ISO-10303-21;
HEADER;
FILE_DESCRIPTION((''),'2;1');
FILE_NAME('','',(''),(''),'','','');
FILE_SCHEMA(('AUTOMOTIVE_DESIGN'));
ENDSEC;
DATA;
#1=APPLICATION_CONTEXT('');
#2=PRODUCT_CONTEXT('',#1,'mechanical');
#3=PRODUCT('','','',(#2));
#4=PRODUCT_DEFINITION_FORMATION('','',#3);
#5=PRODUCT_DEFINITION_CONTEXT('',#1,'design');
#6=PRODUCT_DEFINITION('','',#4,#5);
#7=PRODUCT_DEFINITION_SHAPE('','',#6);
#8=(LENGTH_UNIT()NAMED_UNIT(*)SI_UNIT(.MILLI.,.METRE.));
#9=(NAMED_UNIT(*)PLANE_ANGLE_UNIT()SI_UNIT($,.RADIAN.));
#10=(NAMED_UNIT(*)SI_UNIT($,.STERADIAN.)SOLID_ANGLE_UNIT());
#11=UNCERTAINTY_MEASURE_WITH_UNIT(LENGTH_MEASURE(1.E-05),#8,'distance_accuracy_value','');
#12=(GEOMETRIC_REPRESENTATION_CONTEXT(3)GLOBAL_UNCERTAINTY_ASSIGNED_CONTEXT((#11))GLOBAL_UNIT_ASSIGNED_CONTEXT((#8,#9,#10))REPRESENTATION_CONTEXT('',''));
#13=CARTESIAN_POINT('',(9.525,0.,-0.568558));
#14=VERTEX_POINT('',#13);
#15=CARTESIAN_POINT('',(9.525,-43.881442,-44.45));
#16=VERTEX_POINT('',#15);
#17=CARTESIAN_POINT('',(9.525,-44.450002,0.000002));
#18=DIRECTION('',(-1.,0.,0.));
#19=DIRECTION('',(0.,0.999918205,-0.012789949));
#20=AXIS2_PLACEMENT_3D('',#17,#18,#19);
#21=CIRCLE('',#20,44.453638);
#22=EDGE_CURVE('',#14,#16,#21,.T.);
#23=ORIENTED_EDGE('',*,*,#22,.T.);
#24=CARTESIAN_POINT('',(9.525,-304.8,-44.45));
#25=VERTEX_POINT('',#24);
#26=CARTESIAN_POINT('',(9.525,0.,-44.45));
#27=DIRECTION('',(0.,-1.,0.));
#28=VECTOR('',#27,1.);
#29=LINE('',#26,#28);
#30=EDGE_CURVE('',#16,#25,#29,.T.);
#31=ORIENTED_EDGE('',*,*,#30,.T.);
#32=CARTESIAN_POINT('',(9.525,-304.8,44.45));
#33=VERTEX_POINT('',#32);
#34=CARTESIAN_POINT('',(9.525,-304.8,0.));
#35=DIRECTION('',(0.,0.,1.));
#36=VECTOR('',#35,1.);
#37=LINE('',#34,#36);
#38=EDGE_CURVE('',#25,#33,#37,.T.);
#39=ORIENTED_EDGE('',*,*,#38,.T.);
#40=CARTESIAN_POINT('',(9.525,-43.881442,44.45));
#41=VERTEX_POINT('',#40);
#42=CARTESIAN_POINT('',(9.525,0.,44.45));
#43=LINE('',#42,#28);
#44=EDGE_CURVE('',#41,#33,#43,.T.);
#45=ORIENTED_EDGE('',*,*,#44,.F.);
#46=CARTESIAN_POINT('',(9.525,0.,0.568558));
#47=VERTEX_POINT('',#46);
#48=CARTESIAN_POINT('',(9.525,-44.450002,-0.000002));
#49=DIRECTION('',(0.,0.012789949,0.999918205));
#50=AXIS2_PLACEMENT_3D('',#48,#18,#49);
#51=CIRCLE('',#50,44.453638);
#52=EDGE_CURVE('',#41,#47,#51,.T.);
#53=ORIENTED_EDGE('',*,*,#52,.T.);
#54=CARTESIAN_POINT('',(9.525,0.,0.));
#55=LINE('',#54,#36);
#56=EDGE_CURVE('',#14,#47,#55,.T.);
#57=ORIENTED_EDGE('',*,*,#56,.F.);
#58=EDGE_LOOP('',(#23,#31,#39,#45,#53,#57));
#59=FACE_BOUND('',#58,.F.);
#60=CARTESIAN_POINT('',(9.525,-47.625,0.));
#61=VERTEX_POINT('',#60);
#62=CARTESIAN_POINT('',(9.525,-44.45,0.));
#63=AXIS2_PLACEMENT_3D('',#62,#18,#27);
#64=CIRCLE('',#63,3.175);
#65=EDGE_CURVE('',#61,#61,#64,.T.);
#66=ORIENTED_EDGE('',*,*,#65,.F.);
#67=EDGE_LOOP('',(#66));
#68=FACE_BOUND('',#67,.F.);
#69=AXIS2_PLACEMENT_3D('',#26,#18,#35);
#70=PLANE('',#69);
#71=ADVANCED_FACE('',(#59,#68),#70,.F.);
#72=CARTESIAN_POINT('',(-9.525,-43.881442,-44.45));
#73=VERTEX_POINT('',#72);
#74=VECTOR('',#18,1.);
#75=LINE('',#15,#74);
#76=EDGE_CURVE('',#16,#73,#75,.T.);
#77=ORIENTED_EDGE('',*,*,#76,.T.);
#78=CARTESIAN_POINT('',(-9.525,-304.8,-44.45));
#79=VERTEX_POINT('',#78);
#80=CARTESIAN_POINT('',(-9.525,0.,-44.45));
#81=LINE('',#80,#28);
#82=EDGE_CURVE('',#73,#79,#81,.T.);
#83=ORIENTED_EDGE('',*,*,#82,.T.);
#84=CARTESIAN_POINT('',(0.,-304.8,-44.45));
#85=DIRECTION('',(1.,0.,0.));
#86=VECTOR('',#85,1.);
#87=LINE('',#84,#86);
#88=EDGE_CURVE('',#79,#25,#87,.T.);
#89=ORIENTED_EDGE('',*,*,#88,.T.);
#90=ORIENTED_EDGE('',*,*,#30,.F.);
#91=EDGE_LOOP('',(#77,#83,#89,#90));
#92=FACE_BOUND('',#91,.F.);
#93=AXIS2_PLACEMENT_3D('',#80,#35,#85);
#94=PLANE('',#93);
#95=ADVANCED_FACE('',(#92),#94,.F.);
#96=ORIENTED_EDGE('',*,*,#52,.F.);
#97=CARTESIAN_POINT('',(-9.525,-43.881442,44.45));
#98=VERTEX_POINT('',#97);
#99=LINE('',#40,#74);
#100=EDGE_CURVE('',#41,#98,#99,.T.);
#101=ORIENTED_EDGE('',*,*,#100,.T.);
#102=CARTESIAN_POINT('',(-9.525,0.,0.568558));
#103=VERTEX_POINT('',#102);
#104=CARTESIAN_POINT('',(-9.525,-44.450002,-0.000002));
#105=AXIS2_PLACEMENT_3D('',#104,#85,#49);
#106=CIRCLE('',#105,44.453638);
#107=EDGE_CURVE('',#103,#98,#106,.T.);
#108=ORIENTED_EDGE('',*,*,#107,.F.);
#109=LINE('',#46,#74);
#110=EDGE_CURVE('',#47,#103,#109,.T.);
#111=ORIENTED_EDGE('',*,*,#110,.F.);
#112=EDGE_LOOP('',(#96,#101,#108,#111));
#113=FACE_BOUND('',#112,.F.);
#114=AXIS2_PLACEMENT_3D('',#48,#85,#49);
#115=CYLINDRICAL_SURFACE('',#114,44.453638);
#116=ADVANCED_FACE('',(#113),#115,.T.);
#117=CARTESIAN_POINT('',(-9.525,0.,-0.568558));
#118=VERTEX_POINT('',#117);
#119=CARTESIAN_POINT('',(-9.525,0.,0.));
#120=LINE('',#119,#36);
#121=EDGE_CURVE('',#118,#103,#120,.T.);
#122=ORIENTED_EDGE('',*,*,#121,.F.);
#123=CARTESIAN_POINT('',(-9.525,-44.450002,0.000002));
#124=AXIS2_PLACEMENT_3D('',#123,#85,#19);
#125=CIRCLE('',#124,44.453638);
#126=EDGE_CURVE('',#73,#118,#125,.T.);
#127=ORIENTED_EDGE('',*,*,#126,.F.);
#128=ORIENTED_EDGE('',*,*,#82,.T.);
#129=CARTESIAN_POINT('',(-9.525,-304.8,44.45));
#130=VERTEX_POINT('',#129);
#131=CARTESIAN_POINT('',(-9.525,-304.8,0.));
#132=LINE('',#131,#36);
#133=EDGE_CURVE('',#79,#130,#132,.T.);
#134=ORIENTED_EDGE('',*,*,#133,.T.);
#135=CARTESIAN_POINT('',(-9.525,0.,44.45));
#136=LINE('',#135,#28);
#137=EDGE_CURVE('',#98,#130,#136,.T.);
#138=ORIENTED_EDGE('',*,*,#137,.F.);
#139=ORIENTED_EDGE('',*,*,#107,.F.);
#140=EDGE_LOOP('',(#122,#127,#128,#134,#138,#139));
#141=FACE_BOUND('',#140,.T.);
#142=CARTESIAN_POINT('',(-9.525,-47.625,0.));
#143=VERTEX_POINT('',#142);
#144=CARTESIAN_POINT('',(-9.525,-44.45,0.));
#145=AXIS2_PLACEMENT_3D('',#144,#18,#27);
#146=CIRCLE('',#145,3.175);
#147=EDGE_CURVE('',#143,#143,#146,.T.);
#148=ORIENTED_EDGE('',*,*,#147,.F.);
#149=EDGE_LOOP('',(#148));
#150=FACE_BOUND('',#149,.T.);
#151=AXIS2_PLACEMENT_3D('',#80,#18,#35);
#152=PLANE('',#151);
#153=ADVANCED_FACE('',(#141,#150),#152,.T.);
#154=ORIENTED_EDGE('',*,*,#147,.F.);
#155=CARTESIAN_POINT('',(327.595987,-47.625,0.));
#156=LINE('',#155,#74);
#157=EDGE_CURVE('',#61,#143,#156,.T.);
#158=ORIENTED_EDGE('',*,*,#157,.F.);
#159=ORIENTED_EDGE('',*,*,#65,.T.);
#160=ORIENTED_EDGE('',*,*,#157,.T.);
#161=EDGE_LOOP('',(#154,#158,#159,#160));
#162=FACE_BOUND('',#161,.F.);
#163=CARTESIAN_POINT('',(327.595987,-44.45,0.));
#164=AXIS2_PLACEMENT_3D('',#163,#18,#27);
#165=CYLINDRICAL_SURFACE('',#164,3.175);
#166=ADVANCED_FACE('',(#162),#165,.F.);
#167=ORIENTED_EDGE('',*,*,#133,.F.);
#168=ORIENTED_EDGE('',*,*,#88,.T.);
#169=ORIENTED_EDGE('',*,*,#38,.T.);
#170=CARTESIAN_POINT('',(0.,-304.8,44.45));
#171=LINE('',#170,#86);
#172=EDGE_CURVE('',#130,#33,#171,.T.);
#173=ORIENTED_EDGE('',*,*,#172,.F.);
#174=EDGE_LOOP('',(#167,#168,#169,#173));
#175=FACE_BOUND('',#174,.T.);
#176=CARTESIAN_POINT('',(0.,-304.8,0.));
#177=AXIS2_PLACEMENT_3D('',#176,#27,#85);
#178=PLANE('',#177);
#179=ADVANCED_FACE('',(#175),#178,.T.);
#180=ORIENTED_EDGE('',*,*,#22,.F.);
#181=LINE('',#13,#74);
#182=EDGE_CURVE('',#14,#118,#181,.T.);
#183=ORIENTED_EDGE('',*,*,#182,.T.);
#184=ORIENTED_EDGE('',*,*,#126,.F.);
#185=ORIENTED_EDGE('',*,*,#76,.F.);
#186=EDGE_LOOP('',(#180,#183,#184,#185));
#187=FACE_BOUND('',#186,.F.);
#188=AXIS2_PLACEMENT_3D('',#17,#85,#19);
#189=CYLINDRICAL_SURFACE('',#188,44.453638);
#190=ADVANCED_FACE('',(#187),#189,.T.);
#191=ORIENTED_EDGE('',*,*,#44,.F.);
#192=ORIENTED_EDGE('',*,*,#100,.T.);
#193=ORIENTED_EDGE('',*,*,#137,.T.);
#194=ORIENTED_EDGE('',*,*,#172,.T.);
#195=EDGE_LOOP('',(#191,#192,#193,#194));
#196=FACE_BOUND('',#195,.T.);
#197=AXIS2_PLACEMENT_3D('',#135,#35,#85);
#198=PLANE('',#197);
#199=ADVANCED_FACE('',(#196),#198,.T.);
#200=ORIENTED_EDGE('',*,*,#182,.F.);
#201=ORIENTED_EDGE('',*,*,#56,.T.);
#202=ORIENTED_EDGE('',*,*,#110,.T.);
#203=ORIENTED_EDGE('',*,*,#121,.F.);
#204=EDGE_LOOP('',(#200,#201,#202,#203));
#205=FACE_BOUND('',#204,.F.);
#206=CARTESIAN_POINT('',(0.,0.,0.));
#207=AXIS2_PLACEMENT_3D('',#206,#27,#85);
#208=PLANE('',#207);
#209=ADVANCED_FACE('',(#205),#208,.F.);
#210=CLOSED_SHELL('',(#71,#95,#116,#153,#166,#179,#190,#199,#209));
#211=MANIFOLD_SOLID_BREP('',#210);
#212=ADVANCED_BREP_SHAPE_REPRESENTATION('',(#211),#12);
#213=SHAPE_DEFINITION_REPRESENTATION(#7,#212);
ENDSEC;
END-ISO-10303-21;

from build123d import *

# Parameters (mm, degrees)
F0_W     = 19.05
F0_H     = 88.9
F1_DEPTH = 304.8
F3_D     = 6.35
F5_DEPTH = 19.051


with BuildPart() as f1:
    # F0 (on Front) → F1 (new body)
    with BuildSketch(Plane.XZ):
        Rectangle(F0_W, F0_H)
    extrude(amount=F1_DEPTH)

    # F3 (through all)
    with Locations(Plane.YZ.offset(9.525)):
        with Locations((-44.45, 0)):
            Hole(F3_D / 2)

    # F4 (on face) → F5 (cut, through all)
    with BuildSketch(Plane.YZ.offset(9.525)):
        with BuildLine():
            Line((0, -44.45), (0, -0.568558))
            ThreePointArc((0, -0.568558), (-13.016533, -31.433467), (-43.881442, -44.45))
            Line((-43.881442, -44.45), (0, -44.45))
        make_face()
        with BuildLine():
            Line((0, 44.45), (-43.881442, 44.45))
            ThreePointArc((-43.881442, 44.45), (-13.016533, 31.433467), (0, 0.568558))
            Line((0, 0.568558), (0, 44.45))
        make_face()
    extrude(amount=-F5_DEPTH, mode=Mode.SUBTRACT)


solid = f1.part
